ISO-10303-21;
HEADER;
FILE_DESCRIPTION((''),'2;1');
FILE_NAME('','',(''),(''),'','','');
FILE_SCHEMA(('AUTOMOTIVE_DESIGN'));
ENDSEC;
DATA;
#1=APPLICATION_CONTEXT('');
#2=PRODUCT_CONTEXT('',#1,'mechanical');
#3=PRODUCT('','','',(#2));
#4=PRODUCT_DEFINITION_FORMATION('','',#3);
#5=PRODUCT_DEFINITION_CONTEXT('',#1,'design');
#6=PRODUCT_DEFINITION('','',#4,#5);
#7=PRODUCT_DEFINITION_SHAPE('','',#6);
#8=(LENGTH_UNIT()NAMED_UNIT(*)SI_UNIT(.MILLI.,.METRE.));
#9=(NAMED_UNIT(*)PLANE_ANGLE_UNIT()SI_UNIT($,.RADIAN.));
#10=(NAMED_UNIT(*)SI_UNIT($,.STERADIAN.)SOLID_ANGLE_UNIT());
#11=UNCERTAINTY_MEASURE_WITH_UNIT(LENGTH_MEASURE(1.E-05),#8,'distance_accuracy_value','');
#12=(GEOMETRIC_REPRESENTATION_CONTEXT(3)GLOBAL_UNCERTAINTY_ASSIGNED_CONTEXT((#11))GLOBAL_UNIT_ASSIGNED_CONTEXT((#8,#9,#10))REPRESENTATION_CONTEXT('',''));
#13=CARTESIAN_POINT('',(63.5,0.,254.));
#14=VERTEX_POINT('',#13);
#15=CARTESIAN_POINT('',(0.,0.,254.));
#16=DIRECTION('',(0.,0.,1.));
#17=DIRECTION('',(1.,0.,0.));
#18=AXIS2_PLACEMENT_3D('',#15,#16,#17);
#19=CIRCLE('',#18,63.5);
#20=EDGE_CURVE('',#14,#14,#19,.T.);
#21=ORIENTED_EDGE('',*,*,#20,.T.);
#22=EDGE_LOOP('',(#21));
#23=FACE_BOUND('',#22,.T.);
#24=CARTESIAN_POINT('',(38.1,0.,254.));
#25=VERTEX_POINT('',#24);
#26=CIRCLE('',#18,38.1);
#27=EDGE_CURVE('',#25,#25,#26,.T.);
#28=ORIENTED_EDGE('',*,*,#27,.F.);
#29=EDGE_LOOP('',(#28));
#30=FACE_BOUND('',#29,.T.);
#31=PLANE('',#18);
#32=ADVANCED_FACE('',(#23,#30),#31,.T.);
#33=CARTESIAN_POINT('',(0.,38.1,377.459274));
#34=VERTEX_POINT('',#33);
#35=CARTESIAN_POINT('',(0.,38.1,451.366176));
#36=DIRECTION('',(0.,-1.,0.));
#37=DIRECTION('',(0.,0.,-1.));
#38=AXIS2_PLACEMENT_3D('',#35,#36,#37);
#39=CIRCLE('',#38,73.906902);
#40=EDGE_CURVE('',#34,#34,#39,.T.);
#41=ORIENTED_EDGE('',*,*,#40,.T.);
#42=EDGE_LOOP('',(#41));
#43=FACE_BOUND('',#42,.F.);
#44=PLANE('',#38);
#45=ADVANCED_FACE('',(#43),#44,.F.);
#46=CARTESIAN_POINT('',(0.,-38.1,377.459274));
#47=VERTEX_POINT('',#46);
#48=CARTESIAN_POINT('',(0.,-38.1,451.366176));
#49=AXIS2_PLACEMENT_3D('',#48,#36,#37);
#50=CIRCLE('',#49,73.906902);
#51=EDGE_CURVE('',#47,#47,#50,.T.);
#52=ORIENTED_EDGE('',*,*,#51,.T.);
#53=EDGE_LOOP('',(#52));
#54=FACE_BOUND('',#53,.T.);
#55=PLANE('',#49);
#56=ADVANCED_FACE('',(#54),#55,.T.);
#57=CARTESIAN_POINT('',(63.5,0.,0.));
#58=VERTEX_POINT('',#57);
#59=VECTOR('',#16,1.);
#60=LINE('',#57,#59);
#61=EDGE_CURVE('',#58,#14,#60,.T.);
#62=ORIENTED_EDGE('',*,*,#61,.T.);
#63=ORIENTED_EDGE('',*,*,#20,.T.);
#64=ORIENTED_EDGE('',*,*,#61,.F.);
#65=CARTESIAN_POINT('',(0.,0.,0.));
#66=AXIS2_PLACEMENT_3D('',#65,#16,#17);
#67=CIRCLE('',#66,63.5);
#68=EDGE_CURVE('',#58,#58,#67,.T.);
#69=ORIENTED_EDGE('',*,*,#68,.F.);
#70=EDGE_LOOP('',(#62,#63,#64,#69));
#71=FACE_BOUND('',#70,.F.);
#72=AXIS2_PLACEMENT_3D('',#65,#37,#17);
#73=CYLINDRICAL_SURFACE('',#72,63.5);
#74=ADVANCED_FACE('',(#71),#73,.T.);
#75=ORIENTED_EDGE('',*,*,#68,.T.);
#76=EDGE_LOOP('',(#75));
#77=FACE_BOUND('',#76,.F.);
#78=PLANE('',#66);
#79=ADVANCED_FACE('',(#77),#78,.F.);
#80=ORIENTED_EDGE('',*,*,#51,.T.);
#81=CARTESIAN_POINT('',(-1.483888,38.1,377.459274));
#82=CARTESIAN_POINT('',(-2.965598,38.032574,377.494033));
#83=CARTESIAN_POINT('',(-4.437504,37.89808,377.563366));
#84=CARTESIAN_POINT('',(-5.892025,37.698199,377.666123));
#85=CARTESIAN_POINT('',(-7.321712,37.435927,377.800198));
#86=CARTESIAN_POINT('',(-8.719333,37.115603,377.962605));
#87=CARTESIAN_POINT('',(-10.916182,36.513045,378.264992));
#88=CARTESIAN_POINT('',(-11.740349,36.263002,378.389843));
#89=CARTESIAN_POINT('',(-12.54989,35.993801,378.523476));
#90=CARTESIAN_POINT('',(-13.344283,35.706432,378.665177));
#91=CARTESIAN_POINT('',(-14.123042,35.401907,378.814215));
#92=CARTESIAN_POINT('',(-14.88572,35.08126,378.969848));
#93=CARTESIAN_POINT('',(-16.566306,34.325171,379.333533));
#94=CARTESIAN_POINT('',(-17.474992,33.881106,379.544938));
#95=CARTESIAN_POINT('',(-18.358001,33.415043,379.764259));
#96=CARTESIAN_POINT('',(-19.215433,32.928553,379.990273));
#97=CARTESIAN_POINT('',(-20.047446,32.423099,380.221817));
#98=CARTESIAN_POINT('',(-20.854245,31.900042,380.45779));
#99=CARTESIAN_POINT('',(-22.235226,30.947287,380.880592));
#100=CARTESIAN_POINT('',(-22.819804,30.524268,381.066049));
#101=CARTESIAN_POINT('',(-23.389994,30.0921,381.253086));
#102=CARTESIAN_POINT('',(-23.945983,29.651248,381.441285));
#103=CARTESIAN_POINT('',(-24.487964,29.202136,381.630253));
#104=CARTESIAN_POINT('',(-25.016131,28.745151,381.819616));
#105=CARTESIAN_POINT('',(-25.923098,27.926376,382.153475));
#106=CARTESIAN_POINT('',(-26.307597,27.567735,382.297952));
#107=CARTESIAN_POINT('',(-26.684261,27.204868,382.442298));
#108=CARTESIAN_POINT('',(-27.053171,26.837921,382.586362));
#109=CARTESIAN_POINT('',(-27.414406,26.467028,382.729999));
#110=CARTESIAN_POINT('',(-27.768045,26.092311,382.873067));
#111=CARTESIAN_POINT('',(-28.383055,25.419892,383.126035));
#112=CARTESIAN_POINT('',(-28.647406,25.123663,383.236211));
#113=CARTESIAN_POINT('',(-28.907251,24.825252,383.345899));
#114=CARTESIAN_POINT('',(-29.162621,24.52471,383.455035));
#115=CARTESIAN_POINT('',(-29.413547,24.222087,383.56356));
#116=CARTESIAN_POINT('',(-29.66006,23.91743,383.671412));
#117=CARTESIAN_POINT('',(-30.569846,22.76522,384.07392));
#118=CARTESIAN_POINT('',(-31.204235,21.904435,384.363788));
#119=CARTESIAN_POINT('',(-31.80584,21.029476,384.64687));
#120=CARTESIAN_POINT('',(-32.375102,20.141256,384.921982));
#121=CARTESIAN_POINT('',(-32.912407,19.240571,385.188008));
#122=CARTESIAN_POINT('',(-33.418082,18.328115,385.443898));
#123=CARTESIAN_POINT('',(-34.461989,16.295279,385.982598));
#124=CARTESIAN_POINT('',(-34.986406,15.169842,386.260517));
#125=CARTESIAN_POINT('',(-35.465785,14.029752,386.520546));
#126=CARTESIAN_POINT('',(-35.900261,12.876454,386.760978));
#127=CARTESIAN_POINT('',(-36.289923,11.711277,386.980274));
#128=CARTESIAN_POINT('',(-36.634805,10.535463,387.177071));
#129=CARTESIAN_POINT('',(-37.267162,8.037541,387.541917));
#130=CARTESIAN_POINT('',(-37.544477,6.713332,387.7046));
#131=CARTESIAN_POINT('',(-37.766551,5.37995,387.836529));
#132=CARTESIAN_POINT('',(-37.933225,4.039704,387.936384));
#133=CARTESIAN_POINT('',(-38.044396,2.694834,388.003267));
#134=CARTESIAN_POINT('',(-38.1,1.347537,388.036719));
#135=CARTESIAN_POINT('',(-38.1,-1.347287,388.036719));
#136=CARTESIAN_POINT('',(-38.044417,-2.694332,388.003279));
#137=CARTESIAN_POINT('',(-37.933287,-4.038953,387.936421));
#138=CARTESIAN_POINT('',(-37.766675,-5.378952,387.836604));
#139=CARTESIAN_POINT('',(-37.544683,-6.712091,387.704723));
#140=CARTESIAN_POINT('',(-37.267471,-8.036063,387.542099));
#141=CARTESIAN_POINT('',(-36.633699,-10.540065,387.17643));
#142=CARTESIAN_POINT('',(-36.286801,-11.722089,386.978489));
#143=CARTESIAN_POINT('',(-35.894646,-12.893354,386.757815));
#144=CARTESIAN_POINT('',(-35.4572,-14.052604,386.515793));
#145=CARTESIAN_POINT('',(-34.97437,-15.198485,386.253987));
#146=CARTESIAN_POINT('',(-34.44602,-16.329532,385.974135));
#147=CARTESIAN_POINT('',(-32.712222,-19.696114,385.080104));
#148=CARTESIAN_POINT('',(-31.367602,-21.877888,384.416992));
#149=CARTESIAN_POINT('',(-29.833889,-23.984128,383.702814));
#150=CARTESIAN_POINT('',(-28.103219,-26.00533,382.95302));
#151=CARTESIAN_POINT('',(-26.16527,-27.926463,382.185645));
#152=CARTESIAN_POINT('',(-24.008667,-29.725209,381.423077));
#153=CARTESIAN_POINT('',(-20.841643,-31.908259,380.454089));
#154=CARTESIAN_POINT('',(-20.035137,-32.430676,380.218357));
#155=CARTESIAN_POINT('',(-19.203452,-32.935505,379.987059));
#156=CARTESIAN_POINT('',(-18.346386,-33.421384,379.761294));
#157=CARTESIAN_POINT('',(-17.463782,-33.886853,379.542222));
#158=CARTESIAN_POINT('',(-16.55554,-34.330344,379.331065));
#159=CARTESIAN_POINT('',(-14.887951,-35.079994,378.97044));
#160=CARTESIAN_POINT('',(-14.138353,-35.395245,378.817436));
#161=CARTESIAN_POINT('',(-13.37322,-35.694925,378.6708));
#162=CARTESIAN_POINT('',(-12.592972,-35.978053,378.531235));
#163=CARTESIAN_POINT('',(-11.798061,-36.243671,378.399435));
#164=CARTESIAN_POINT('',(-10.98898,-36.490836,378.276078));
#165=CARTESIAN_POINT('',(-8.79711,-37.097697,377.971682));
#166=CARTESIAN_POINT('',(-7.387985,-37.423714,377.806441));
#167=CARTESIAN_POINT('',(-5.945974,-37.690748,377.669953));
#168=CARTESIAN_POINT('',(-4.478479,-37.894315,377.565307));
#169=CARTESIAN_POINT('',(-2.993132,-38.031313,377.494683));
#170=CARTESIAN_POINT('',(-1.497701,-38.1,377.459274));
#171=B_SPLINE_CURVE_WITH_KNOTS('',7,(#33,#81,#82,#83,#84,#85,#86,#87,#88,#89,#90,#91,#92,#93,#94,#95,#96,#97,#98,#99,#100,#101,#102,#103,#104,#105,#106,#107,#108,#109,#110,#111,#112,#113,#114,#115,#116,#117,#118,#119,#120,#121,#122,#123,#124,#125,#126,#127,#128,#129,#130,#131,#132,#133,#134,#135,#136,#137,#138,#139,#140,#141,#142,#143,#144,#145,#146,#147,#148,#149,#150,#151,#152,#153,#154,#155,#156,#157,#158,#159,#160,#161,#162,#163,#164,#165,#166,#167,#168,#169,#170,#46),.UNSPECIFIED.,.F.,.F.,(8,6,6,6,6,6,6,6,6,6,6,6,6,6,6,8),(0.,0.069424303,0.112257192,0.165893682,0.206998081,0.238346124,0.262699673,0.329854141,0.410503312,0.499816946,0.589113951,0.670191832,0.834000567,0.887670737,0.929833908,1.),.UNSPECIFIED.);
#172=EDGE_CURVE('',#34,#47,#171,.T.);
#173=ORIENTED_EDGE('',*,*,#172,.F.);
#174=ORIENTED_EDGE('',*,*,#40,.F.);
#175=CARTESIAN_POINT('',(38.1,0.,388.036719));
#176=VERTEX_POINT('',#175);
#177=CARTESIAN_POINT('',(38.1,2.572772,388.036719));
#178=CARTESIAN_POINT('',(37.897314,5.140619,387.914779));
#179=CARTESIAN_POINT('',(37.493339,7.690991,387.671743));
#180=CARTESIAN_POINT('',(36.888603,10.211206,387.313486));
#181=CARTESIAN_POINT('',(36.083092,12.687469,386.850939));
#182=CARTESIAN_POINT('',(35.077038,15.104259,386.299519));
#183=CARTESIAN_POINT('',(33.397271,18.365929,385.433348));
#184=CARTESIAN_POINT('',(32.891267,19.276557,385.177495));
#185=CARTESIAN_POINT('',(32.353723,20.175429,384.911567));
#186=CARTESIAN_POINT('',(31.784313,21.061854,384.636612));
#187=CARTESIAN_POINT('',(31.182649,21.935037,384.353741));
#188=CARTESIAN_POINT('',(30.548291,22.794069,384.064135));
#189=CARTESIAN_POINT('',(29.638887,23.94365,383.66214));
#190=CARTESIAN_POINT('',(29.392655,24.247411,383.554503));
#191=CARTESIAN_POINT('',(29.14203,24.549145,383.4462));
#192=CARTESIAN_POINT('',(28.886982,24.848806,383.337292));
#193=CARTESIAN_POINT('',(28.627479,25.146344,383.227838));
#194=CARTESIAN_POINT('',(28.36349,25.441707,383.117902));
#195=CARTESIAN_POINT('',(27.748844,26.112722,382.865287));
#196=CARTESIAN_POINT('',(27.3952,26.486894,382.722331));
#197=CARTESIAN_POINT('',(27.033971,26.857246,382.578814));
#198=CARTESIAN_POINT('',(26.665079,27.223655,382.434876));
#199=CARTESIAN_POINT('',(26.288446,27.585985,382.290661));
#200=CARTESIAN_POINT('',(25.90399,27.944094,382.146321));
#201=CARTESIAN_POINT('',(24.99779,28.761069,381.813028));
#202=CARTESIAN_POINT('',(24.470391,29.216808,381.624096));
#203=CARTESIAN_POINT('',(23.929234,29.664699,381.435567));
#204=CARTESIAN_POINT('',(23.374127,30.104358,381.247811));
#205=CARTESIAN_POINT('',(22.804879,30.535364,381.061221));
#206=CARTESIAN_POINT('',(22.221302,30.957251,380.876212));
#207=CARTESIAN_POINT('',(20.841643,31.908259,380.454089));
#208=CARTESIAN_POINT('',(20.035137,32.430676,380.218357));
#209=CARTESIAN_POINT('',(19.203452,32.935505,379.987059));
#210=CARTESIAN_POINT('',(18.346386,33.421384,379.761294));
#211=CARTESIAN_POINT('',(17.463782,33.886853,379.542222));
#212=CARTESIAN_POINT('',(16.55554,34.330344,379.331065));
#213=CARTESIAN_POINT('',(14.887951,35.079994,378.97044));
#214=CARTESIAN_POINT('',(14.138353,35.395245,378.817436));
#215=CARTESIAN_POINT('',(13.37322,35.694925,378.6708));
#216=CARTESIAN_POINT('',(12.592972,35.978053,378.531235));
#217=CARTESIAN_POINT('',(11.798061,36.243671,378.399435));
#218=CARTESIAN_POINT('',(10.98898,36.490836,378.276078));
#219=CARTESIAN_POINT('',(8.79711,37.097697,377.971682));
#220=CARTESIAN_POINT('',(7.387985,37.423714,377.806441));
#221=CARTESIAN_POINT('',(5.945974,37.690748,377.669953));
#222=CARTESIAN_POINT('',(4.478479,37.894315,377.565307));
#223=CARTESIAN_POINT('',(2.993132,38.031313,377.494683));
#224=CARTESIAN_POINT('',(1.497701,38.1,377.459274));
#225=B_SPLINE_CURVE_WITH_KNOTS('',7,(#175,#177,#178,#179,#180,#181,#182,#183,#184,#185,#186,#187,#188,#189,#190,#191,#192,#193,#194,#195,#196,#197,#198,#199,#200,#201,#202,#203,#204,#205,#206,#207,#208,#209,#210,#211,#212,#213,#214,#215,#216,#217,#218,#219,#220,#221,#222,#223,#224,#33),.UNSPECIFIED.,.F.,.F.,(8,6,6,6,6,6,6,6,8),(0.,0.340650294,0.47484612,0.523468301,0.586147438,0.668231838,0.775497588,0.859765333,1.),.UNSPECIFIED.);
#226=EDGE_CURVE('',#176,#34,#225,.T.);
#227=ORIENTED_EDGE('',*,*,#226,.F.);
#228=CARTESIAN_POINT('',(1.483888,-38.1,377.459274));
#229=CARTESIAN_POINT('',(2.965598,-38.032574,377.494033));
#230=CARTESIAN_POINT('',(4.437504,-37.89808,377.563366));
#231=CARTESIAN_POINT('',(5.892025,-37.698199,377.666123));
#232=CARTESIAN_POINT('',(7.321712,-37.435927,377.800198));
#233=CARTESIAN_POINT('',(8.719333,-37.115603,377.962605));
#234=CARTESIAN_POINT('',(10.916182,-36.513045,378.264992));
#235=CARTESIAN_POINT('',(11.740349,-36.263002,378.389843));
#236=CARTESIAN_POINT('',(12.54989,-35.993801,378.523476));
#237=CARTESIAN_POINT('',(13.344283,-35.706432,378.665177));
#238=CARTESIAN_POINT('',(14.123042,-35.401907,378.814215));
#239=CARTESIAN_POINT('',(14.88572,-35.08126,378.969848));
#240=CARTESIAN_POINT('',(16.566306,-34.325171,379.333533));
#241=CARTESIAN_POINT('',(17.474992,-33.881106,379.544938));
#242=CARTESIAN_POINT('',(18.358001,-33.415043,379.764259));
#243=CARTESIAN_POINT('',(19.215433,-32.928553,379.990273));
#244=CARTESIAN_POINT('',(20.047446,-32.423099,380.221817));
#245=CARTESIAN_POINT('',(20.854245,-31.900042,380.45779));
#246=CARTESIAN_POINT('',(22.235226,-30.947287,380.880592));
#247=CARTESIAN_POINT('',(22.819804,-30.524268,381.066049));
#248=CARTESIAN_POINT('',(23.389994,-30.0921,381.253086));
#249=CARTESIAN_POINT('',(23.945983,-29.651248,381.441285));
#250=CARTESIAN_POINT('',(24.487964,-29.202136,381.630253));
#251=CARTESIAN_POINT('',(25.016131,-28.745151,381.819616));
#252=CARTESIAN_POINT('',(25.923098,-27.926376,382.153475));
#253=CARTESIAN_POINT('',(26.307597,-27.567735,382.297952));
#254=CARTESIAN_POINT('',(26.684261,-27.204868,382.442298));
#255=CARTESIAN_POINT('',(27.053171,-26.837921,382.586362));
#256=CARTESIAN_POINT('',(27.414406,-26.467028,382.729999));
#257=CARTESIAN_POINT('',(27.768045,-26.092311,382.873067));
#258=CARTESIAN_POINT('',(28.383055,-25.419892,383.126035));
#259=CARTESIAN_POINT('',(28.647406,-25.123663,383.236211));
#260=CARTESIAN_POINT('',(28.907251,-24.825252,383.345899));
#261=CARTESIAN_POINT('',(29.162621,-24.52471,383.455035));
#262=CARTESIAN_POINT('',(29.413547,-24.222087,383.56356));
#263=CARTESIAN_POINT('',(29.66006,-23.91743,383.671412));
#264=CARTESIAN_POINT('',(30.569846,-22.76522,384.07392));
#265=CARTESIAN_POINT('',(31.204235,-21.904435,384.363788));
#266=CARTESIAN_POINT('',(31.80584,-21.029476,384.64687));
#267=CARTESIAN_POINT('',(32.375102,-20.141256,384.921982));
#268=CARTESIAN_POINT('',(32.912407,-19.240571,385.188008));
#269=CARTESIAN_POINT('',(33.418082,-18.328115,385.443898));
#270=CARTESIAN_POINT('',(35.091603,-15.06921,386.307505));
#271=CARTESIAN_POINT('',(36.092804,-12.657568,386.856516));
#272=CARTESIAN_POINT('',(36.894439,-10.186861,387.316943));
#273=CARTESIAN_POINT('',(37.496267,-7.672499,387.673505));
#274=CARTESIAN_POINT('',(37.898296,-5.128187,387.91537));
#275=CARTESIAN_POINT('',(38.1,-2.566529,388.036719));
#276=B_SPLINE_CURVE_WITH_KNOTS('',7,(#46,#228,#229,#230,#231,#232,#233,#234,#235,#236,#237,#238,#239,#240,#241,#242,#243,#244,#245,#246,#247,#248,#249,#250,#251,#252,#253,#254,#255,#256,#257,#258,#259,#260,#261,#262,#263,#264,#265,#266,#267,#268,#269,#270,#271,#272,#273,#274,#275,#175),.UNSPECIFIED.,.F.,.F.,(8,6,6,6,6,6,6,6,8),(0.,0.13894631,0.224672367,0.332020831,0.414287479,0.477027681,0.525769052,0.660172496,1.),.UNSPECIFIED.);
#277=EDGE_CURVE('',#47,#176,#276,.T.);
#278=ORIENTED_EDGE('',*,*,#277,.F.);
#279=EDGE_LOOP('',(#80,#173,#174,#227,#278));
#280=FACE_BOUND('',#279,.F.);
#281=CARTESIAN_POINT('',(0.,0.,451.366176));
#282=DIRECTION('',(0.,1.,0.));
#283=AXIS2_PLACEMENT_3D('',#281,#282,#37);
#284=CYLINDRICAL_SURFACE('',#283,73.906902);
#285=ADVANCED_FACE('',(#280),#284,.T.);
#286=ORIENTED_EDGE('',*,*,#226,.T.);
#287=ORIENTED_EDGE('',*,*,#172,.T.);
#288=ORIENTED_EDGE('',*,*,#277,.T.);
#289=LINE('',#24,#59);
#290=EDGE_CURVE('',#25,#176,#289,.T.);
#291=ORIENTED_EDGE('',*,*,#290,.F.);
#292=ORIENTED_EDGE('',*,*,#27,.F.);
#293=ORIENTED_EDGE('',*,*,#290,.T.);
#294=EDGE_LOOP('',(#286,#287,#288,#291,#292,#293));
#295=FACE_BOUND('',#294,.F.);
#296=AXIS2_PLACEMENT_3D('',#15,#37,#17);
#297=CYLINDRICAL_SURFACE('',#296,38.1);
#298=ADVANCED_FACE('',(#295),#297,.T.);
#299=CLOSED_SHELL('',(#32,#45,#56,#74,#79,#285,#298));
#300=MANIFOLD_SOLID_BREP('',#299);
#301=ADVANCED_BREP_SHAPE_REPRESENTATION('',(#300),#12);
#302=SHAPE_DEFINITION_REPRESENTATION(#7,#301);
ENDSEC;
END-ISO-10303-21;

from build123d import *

# Parameters (mm, degrees)
F0_R     = 63.5
F1_DEPTH = 254
F3_R     = 38.1
F2_DEPTH = 152.4
F4_W     = 76.2
F4_H     = 73.906902


with BuildPart() as f1:
    # F0 (on Top) → F1 (new body)
    with BuildSketch(Plane.XY):
        Circle(F0_R)
    extrude(amount=F1_DEPTH)

    # F3 (on face) → F2 (join)
    with BuildSketch(Plane.XY.offset(254)):
        Circle(F3_R)
    extrude(amount=F2_DEPTH)

    # F4 (on Right) → F5 (revolve)
    with BuildSketch(Plane.YZ):
        with Locations((0, 414.412725)):
            Rectangle(F4_W, F4_H)
    revolve(axis=Axis((0, 0, 451.366176), (0, -1, 0)))


solid = f1.part
